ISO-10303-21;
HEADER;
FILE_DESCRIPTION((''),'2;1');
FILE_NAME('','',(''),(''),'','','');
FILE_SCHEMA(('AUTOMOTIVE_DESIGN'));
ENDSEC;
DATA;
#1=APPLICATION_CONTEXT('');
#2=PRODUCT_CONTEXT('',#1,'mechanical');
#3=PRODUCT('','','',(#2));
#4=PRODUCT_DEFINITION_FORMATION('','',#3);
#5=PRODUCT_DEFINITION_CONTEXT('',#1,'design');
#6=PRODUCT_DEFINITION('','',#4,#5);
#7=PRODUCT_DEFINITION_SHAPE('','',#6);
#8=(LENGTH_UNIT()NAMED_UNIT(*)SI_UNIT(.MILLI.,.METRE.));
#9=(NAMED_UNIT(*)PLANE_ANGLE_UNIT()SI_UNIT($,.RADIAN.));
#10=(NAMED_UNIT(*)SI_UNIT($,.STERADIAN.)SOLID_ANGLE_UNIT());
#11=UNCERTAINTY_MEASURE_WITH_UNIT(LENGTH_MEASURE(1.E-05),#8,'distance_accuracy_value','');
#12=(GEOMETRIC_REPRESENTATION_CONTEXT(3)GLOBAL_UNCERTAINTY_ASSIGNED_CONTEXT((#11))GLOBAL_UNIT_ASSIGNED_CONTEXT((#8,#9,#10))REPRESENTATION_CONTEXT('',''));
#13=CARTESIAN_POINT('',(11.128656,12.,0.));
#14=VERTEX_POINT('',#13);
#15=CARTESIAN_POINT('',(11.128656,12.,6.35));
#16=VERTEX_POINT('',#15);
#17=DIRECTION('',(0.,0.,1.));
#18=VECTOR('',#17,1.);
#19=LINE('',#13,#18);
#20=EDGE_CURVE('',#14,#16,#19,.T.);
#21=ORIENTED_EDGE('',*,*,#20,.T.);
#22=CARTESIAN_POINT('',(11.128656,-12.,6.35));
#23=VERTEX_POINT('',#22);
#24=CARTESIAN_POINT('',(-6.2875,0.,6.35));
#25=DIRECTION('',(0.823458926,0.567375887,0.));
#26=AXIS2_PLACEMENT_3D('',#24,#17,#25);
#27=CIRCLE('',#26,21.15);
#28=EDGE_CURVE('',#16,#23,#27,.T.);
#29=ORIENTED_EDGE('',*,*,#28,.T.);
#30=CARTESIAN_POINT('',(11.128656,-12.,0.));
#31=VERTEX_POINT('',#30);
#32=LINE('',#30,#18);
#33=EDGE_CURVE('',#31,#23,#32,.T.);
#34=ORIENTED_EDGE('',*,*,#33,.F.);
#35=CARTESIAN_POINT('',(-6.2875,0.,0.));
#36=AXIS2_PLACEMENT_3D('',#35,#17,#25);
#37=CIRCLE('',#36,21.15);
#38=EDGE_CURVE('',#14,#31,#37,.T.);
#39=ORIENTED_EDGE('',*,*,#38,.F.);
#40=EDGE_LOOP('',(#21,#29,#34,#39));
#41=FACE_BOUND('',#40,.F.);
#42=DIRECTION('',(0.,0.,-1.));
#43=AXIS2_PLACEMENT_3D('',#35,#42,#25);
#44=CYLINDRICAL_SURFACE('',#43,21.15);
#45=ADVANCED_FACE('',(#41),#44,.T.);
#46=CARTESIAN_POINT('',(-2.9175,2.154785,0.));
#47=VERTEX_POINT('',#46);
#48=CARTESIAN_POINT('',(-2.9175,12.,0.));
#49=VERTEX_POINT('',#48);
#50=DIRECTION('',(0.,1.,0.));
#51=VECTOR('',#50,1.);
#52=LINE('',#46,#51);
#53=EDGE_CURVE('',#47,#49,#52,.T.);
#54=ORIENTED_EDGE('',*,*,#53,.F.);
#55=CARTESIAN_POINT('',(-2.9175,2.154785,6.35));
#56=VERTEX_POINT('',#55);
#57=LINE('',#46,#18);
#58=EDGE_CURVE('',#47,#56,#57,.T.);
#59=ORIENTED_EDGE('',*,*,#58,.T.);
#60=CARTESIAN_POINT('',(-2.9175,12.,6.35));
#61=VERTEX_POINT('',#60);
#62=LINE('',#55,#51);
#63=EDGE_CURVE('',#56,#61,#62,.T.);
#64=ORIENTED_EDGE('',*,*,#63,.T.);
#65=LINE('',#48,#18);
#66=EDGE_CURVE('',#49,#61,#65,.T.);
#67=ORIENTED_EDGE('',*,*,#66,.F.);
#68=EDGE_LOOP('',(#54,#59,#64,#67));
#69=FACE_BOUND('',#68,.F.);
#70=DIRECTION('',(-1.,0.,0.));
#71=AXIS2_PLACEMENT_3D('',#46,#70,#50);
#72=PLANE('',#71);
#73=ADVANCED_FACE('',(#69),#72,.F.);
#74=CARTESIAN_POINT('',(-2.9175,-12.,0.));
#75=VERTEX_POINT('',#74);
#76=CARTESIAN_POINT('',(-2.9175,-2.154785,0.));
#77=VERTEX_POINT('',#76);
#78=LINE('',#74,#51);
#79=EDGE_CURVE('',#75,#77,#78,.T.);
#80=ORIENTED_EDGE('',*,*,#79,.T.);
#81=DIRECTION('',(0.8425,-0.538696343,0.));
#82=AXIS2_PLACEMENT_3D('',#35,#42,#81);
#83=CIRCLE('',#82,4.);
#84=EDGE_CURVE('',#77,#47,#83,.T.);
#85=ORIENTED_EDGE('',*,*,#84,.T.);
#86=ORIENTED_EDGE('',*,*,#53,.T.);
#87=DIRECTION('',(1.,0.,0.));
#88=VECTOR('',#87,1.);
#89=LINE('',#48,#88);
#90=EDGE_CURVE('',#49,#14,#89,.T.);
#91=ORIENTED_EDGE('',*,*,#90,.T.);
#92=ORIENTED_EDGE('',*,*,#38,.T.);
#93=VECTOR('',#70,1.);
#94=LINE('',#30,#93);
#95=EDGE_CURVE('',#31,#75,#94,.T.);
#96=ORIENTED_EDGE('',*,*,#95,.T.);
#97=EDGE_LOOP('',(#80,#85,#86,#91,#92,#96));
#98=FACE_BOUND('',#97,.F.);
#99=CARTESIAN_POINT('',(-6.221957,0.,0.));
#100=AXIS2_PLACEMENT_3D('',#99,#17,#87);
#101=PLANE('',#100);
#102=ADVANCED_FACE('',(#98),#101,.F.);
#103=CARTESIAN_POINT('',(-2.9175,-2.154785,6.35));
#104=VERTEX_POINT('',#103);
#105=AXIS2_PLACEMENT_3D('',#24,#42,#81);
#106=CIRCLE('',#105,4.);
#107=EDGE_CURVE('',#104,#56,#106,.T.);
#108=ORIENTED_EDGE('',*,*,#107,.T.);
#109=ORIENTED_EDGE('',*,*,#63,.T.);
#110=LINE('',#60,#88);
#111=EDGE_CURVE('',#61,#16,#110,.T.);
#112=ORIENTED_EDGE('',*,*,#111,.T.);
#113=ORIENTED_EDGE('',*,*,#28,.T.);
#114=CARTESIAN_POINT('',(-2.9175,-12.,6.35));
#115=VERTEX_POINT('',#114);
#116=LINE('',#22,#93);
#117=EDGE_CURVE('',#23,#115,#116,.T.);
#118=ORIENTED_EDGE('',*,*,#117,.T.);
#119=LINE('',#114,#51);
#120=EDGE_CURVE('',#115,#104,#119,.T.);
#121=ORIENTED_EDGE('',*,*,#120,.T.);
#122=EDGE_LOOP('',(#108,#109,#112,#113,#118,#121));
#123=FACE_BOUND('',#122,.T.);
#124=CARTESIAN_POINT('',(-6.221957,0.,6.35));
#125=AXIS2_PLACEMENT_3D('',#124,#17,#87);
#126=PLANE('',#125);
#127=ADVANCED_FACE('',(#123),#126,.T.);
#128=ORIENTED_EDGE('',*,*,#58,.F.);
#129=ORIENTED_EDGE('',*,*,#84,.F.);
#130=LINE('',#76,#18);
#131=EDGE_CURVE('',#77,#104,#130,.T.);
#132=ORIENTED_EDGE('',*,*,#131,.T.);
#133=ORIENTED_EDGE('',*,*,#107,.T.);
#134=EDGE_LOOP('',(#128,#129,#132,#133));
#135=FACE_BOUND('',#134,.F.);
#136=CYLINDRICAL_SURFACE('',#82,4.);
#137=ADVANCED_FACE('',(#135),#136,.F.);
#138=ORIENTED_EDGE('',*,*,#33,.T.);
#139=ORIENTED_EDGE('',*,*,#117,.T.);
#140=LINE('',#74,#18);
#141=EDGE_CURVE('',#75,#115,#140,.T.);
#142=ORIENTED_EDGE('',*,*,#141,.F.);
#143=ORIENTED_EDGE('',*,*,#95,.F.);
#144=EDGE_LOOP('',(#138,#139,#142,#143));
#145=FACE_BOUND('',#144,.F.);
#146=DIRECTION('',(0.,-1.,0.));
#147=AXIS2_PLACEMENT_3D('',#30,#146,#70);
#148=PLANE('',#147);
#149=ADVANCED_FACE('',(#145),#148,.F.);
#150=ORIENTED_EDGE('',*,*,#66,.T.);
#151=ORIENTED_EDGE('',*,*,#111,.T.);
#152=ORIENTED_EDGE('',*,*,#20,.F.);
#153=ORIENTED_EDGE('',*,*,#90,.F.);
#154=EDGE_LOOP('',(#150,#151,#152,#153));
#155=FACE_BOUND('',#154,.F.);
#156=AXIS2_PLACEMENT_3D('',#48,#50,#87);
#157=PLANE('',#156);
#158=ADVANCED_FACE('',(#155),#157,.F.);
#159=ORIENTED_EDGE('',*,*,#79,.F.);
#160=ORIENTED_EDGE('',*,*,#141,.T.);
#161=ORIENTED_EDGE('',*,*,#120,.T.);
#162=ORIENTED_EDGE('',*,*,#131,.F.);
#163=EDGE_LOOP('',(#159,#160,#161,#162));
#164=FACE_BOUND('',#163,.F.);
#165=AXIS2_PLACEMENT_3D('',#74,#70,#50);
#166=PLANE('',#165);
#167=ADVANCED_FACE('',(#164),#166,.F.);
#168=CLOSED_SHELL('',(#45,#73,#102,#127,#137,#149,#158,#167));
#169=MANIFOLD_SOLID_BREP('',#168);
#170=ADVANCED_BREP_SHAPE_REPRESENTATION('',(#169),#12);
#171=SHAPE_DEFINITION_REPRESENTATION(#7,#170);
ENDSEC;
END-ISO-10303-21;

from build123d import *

# Parameters (mm, degrees)
F1_DEPTH = 6.35


with BuildPart() as f1:
    # F0 (on Top) → F1 (new body)
    with BuildSketch(Plane.XY):
        with BuildLine():
            Line((-2.9175, 12), (11.1286562924, 12))
            ThreePointArc((11.1286562924, 12), (-27.4375, 0), (11.1286562924, -12))
            Line((11.1286562924, -12), (-2.9175, -12))
            Line((-2.9175, -12), (-2.9175, -2.1547853721))
            ThreePointArc((-2.9175, -2.1547853721), (-10.2875, 0), (-2.9175, 2.1547853721))
            Line((-2.9175, 2.1547853721), (-2.9175, 12))
        make_face()
    extrude(amount=F1_DEPTH)


solid = f1.part
